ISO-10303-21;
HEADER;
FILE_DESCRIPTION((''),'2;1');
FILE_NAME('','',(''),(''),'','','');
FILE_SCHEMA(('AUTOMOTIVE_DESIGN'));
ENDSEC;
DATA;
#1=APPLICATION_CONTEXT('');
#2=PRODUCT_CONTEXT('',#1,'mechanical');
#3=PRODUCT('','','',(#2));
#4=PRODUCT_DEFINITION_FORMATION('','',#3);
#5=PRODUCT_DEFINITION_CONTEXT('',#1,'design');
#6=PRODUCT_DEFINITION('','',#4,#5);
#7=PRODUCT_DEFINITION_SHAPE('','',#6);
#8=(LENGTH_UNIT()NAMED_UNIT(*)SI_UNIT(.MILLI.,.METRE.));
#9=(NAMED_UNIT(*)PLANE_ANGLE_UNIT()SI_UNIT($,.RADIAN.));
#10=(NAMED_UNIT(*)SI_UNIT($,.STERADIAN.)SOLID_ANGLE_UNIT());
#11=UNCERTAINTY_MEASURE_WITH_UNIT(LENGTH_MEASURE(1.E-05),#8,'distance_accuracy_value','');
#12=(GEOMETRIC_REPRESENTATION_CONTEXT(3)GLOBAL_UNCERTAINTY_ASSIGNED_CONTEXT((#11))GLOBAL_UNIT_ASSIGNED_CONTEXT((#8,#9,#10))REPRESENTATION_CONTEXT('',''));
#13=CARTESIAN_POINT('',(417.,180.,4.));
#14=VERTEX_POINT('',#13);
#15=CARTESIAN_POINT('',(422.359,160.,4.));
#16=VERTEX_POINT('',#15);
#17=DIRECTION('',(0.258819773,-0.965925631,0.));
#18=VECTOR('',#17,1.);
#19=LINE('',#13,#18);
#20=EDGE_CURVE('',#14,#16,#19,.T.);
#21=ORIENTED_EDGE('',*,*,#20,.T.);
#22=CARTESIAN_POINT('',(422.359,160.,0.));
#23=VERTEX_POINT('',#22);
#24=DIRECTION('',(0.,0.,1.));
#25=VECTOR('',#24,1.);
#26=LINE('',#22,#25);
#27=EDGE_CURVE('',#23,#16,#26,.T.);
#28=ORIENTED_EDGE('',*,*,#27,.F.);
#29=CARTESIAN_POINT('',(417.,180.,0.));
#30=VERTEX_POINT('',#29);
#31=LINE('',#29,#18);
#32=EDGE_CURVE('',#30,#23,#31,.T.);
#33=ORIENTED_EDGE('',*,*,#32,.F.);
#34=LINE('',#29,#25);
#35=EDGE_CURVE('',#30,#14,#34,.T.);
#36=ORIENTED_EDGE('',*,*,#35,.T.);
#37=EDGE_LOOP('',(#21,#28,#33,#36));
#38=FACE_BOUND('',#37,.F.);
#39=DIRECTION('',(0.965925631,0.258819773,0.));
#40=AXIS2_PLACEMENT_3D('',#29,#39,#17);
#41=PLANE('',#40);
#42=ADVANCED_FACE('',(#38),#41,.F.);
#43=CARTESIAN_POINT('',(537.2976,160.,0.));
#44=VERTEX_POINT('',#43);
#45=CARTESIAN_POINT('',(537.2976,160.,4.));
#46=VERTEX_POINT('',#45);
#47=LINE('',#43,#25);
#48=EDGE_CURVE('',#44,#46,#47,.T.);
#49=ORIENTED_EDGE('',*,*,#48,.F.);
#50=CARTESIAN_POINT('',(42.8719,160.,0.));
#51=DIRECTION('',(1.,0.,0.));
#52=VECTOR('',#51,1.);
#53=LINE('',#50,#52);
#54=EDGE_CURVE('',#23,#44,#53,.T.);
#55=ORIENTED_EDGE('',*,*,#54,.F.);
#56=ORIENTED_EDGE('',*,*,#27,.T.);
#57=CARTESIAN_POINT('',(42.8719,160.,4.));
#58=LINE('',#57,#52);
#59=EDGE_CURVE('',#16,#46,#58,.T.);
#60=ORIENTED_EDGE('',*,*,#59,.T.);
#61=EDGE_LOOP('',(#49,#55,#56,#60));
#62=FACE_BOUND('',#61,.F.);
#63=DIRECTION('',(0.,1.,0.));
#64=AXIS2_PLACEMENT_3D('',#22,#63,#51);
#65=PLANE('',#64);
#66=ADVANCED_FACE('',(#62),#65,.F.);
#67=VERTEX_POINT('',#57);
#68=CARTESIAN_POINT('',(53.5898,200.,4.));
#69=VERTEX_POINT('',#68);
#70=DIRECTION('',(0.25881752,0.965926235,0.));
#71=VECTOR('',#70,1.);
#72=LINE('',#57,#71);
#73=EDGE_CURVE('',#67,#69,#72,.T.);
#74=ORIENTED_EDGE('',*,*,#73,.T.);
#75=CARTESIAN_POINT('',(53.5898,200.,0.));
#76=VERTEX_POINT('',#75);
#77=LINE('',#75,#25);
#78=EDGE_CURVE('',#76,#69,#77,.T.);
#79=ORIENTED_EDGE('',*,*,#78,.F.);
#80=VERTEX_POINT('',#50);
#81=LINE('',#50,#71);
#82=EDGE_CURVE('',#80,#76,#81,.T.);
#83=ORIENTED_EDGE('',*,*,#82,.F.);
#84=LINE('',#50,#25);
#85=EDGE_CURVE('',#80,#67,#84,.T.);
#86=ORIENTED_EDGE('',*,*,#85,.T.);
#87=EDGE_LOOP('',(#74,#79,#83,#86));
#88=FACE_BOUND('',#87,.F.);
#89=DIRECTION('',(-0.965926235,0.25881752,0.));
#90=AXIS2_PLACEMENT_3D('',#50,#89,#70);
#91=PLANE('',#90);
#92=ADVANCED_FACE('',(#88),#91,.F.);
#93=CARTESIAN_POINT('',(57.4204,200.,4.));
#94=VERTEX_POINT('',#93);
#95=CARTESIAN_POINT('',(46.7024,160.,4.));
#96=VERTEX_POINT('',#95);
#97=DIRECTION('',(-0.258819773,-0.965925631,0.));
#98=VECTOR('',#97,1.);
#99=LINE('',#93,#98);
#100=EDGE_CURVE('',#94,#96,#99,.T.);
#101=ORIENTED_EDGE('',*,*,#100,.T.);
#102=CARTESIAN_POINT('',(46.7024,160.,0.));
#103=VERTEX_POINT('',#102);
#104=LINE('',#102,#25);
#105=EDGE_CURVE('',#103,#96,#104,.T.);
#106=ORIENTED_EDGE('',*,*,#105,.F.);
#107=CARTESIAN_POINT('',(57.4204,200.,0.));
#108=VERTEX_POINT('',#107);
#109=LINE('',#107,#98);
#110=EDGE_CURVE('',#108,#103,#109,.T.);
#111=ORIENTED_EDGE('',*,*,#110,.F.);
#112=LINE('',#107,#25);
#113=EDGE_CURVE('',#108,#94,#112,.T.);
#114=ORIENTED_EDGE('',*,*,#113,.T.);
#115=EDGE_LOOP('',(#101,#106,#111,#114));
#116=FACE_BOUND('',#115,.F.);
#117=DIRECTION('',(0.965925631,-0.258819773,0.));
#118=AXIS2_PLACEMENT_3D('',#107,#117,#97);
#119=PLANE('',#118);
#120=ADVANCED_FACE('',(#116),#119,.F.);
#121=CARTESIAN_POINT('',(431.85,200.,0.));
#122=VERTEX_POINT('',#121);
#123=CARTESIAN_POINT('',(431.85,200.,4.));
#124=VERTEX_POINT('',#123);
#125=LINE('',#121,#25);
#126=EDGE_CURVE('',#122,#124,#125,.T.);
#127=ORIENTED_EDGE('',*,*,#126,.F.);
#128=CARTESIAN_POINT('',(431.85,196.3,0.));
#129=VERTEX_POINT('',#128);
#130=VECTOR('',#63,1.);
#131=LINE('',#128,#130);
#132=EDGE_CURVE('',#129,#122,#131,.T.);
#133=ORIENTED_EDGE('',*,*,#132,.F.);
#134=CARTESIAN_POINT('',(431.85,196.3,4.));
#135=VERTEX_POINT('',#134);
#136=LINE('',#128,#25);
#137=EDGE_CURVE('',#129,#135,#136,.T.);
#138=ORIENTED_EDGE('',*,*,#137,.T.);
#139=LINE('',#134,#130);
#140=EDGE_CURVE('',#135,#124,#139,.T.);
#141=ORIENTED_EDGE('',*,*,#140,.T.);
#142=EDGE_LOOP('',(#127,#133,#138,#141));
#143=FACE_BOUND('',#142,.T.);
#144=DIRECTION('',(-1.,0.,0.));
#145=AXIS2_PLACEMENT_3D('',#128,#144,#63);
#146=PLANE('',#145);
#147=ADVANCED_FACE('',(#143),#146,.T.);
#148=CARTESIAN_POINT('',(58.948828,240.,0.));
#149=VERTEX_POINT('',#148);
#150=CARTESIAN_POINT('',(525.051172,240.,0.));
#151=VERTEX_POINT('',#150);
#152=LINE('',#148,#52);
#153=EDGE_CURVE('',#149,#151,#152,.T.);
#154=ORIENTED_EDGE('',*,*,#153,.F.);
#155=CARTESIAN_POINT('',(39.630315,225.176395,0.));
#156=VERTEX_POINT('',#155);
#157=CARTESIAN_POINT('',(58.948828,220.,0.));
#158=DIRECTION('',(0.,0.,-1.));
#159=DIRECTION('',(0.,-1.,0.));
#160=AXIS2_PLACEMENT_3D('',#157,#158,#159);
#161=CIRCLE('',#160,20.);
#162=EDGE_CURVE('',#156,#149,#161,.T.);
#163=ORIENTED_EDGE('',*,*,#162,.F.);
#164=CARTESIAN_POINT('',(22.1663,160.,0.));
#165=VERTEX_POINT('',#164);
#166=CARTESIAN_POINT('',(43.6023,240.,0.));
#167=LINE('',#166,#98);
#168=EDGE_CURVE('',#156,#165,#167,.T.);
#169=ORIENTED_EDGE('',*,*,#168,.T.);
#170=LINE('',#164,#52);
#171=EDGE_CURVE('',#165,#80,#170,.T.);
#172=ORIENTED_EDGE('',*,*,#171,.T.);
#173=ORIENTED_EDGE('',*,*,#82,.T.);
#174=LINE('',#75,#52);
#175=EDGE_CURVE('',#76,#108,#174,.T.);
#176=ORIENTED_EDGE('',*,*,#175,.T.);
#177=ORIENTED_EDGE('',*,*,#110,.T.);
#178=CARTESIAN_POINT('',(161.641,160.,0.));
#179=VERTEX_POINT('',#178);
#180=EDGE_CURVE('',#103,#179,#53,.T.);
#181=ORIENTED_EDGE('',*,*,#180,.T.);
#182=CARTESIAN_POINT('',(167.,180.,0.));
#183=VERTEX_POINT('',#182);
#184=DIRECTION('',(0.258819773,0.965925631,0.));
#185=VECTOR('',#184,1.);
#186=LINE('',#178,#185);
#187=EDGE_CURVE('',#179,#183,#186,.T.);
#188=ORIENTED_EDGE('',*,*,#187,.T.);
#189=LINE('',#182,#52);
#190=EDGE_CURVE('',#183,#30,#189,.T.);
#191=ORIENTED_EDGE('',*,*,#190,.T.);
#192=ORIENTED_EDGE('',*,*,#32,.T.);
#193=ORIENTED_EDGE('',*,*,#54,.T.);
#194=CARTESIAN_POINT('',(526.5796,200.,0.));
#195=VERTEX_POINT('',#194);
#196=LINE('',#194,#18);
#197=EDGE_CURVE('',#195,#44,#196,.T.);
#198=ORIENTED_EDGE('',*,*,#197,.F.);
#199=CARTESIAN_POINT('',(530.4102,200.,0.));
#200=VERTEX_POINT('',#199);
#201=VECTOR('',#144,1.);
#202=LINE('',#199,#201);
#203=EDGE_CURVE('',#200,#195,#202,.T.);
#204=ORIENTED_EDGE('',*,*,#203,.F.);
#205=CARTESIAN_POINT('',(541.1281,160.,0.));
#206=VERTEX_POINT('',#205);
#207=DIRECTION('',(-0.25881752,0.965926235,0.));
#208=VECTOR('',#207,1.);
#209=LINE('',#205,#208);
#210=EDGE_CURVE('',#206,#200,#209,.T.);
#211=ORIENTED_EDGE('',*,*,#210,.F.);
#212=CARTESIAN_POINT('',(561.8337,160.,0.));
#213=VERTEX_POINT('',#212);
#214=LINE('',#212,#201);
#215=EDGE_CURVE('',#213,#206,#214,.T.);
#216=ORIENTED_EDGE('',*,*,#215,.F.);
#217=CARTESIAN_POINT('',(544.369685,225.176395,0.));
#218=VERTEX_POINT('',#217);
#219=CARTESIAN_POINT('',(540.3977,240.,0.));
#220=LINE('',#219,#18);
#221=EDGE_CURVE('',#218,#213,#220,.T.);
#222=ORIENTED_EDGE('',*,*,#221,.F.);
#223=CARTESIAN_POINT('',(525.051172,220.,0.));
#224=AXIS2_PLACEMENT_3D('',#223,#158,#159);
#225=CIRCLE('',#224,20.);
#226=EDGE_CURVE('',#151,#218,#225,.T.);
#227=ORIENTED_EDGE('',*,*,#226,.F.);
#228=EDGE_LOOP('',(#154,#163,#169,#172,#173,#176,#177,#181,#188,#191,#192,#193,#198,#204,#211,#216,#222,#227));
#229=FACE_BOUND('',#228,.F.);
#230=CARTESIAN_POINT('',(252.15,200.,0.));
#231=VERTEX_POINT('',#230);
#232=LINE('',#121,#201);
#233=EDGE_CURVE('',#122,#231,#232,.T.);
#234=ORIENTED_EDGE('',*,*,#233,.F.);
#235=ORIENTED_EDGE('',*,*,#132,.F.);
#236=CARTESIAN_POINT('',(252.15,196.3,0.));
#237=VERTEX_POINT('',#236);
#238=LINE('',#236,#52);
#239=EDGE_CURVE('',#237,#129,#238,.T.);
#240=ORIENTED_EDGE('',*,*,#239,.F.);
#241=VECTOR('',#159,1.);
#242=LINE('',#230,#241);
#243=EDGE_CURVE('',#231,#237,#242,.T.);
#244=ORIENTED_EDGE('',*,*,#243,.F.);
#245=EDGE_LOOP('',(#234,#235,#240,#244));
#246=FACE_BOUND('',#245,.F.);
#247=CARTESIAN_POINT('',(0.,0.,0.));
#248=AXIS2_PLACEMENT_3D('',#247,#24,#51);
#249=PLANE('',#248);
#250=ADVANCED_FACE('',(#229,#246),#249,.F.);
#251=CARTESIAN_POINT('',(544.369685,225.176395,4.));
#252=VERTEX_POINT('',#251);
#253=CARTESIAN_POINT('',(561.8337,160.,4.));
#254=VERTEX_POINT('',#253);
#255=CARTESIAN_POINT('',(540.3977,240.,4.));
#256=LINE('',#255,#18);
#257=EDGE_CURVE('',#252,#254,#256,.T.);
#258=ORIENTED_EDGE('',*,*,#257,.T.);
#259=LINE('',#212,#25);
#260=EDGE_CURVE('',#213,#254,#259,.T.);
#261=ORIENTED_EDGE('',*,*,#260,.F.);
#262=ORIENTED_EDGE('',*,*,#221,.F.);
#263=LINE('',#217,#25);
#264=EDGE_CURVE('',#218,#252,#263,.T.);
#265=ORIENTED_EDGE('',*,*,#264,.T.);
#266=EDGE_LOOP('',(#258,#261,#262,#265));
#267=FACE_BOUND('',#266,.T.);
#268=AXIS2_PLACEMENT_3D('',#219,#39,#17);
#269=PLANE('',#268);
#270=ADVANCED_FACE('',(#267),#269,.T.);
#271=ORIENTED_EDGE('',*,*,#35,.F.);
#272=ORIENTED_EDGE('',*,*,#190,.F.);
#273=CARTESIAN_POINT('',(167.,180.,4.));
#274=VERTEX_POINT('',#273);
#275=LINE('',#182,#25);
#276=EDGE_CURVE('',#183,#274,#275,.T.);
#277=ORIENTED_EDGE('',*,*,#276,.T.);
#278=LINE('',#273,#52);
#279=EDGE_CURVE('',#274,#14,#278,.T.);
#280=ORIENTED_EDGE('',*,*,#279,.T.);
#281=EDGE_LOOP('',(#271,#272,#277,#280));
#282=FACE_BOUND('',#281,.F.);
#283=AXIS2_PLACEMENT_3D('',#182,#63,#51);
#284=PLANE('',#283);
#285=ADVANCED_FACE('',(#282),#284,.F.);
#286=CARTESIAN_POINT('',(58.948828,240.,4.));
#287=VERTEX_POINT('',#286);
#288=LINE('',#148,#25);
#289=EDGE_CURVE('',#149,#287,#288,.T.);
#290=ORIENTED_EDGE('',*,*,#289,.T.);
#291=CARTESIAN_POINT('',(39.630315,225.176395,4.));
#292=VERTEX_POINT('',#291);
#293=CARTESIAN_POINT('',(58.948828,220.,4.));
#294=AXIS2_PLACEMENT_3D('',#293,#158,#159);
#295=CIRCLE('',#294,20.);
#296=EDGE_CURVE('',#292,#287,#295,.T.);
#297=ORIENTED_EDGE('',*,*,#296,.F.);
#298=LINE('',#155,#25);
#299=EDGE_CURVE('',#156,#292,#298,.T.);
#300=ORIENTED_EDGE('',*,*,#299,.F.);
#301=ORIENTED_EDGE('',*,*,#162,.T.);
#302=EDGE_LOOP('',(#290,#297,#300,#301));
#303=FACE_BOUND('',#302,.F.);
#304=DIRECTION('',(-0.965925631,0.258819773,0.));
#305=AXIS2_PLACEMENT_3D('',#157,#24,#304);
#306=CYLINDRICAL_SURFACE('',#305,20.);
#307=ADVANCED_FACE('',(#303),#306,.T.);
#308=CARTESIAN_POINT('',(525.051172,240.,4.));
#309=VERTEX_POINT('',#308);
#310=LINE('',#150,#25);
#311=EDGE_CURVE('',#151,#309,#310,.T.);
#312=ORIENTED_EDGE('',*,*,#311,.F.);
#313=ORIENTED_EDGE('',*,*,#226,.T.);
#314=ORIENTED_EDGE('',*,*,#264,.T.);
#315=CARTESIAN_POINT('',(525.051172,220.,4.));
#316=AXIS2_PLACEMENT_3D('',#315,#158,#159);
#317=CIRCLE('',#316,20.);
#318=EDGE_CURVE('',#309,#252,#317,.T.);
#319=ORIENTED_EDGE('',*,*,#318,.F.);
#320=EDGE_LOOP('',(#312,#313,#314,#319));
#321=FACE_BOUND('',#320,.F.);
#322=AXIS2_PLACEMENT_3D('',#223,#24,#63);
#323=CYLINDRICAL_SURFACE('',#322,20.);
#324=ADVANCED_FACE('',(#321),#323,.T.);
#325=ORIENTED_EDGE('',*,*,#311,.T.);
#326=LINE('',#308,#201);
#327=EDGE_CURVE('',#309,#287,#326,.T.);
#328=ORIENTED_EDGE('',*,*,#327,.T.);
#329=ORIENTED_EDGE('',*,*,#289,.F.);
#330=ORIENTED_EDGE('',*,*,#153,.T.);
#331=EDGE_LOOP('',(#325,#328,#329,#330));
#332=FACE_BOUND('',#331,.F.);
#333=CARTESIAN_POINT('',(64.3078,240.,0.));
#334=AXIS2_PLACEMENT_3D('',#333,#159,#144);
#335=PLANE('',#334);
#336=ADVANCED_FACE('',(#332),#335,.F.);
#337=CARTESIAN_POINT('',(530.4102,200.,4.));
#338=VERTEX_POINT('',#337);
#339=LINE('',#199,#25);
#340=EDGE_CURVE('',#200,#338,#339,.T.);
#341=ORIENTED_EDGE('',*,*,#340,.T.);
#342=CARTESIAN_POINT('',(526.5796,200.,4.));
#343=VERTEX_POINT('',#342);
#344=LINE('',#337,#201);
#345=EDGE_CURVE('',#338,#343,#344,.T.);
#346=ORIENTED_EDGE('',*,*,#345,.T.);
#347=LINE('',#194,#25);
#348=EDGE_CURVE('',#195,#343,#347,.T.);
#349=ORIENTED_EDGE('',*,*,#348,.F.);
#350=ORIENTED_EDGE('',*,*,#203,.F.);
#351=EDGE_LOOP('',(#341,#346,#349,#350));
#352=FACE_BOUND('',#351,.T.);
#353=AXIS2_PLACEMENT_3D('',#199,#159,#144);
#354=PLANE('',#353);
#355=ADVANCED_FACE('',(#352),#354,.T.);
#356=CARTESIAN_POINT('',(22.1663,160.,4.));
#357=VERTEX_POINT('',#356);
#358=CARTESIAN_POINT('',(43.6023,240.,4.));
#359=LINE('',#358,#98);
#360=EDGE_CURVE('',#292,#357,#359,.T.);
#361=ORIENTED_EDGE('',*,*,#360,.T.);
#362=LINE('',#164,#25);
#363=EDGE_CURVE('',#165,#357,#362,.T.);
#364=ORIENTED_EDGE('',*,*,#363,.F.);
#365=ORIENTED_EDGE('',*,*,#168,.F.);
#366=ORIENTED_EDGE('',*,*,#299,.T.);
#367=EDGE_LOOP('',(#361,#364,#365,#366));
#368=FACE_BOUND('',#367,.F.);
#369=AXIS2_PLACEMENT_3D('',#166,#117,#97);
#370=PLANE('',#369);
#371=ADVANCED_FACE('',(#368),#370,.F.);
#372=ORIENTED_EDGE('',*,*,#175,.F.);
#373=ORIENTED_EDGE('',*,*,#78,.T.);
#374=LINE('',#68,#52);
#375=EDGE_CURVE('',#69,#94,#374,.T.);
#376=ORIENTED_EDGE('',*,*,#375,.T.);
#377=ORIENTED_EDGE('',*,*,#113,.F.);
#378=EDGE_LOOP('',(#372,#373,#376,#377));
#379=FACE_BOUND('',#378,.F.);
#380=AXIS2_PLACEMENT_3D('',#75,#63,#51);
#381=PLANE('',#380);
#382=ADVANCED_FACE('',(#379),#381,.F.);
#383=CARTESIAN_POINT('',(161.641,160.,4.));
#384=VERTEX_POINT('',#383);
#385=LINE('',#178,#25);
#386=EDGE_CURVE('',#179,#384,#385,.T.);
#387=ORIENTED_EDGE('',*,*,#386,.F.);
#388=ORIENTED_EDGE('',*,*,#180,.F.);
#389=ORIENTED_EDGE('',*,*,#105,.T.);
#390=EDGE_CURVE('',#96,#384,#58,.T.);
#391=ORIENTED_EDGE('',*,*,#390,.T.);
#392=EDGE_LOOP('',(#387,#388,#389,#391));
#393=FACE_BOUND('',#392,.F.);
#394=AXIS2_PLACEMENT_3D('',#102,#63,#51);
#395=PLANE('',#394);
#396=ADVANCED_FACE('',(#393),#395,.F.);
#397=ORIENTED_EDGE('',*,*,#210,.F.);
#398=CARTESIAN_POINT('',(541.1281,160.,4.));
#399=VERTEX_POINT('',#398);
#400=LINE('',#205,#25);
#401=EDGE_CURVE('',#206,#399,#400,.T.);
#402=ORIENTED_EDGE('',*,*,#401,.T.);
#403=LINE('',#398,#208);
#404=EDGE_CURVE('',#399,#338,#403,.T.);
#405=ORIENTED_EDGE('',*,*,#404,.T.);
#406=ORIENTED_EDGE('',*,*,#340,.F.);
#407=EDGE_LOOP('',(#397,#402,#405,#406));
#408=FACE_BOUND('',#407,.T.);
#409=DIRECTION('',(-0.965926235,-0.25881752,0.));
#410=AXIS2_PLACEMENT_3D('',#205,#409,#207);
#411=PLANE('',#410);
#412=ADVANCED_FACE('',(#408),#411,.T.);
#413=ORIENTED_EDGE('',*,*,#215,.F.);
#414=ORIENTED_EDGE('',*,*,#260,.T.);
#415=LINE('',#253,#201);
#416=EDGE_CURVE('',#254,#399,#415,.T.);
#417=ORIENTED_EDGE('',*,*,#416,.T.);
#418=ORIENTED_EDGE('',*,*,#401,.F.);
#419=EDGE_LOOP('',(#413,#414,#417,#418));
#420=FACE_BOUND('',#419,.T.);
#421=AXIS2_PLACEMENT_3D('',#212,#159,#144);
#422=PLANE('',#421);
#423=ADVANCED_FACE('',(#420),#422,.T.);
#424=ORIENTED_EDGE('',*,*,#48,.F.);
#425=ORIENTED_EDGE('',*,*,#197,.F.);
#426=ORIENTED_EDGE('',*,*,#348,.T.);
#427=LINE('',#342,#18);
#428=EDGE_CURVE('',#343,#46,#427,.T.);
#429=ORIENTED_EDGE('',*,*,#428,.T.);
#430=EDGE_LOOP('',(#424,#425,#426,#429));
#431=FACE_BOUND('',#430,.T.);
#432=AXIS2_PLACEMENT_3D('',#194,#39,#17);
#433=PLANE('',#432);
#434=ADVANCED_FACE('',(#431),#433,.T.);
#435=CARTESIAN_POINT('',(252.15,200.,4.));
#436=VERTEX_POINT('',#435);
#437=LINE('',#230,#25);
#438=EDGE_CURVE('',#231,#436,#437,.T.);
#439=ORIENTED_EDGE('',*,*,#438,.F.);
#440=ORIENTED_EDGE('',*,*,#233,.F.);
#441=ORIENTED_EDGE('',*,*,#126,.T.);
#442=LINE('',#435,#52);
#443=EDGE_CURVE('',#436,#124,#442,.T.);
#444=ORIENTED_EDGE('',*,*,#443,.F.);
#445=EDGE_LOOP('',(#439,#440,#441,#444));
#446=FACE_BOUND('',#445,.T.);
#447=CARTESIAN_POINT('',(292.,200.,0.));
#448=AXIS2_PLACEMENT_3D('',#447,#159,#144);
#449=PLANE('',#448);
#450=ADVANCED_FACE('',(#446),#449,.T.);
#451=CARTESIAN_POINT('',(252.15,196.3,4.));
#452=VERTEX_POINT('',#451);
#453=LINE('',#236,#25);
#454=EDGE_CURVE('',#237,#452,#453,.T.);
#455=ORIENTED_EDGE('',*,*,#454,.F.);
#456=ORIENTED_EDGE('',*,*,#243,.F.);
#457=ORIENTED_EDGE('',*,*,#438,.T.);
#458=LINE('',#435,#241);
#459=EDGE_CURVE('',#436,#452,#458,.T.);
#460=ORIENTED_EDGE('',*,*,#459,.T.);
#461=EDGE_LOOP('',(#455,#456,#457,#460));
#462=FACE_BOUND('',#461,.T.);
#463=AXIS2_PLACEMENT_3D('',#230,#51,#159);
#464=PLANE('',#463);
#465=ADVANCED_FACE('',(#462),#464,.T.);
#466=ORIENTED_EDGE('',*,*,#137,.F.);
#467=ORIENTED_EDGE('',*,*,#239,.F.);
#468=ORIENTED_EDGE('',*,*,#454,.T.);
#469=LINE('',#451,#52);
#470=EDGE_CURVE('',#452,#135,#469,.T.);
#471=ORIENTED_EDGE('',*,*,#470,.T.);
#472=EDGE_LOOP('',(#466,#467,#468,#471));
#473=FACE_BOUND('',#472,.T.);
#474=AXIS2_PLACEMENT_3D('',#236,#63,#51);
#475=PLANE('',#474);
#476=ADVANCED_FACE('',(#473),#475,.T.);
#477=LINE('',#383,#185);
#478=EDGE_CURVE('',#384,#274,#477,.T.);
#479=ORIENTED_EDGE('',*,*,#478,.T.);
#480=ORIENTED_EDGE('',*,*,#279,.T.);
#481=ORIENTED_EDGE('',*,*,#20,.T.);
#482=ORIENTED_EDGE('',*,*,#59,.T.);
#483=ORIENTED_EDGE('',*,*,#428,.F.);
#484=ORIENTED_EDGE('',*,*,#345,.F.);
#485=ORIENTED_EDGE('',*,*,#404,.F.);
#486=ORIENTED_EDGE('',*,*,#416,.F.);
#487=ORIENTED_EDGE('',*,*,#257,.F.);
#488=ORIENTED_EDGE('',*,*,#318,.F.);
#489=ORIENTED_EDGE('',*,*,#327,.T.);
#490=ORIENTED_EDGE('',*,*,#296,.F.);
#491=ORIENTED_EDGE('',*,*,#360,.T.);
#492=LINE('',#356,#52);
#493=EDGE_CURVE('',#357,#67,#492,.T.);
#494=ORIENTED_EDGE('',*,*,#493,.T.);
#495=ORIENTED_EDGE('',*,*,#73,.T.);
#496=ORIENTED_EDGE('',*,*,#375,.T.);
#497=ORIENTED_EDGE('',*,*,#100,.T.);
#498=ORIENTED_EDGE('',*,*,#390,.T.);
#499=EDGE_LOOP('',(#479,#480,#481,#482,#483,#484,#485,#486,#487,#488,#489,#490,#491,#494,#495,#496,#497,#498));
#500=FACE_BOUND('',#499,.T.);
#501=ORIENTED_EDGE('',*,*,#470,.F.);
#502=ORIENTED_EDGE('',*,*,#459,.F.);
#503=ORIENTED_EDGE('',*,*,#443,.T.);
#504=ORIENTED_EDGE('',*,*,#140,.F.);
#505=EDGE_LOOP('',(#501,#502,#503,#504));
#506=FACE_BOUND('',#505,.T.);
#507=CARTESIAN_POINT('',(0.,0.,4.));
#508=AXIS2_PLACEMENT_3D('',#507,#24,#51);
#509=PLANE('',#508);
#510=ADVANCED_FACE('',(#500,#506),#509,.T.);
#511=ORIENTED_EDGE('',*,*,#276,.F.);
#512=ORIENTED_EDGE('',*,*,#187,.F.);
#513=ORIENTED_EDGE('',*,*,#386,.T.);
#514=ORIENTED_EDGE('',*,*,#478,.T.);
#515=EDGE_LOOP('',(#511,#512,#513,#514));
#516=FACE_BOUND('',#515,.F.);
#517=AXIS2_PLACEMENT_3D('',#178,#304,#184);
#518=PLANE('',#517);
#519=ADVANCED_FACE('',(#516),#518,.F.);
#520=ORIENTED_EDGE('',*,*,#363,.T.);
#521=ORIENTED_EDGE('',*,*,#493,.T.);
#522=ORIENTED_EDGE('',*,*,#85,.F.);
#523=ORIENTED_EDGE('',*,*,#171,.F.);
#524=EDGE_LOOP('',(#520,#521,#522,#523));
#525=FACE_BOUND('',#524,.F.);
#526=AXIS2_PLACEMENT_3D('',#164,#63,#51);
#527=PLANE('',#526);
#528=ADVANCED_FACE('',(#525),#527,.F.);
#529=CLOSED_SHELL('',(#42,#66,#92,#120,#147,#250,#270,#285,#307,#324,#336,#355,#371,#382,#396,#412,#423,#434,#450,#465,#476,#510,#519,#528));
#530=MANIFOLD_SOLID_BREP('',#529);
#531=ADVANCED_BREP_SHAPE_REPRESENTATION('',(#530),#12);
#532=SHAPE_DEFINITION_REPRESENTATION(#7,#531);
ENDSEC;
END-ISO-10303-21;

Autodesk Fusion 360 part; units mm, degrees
sketch "Schizzo1" plane through (0, 0, 0) normal (0, 0, 1) x (1, 0, 0)
  line L0 (0, 0) -> (80.3848, 300) construction
  line L1 (80.3848, 300) -> (503.6152, 300) construction
  line L2 (503.6152, 300) -> (584, 0) construction
  line L3 (584, 0) -> (0, 0) construction
  line L4 (53.5898, 200) -> (530.4102, 200) construction
  line L5 (42.8719, 160) -> (541.1281, 160)
  line L6 (64.3078, 240) -> (519.6922, 240)
  line L7 (64.3078, 240) -> (43.6023, 240)
  line L8 (43.6023, 240) -> (22.1663, 160)
  line L9 (22.1663, 160) -> (42.8719, 160)
  line L10 (42.8719, 160) -> (53.5898, 200)
  line L11 (53.5898, 200) -> (57.4204, 200)
  line L12 (57.4204, 200) -> (46.7024, 160)
  line L13 (519.6922, 240) -> (540.3977, 240)
  line L14 (540.3977, 240) -> (561.8337, 160)
  line L15 (561.8337, 160) -> (541.1281, 160)
  line L16 (541.1281, 160) -> (530.4102, 200)
  line L17 (530.4102, 200) -> (526.5796, 200)
  line L18 (526.5796, 200) -> (537.2976, 160)
  line L19 (161.641, 160) -> (167, 180)
  line L20 (167, 180) -> (417, 180)
  line L21 (417, 180) -> (422.359, 160)
  line L22 (292, 180) -> (292, 160) construction
  line L23 (292, 200) -> (252.15, 200)
  line L24 (252.15, 200) -> (252.15, 196.3)
  line L25 (252.15, 196.3) -> (431.85, 196.3)
  line L26 (431.85, 196.3) -> (431.85, 200)
  line L27 (292, 200) -> (431.85, 200)
  dimension "d1" = 75
  dimension "d2" = 75
  dimension "d3" = 584
  dimension "d4" = 300
  dimension "d5" = 200
  dimension "d6" = 40
  dimension "d7" = 40
  dimension "d8" = 3.7
  dimension "d11" = 3.7
  dimension "d12" = 20
  dimension "d13" = 20
  dimension "d14" = 20
  dimension "d15" = 250
  dimension "d20" = 3.7
  dimension "d22" = 139.85
  dimension "d23" = 39.85
extrude "Estrusione1" add sketch "Schizzo1" along normal blind 4 contours L5 L6 L7 L8 L9 L10 L11 L12 L13 L14 L15 L16 L17 L18 L19 L20 L21
fillet "Raccordo1" radius 20 2 edges at (43.6023, 240, 2) (540.3977, 240, 2)
component "Component" placed x (1, 0, 0) y (0, 1, 0) z (0, 0, 1) at (0, 0, 0)
equation "d8 = h - 2 * t"
equation "h = 4 mm"
equation "t = 0.15 mm"
equation "d11 = h - 2 * t"
equation "d16 = h"
equation "d20 = h - 2 * t"
equation "d22 = 140 mm - t"
equation "d23 = 40 mm - t"
